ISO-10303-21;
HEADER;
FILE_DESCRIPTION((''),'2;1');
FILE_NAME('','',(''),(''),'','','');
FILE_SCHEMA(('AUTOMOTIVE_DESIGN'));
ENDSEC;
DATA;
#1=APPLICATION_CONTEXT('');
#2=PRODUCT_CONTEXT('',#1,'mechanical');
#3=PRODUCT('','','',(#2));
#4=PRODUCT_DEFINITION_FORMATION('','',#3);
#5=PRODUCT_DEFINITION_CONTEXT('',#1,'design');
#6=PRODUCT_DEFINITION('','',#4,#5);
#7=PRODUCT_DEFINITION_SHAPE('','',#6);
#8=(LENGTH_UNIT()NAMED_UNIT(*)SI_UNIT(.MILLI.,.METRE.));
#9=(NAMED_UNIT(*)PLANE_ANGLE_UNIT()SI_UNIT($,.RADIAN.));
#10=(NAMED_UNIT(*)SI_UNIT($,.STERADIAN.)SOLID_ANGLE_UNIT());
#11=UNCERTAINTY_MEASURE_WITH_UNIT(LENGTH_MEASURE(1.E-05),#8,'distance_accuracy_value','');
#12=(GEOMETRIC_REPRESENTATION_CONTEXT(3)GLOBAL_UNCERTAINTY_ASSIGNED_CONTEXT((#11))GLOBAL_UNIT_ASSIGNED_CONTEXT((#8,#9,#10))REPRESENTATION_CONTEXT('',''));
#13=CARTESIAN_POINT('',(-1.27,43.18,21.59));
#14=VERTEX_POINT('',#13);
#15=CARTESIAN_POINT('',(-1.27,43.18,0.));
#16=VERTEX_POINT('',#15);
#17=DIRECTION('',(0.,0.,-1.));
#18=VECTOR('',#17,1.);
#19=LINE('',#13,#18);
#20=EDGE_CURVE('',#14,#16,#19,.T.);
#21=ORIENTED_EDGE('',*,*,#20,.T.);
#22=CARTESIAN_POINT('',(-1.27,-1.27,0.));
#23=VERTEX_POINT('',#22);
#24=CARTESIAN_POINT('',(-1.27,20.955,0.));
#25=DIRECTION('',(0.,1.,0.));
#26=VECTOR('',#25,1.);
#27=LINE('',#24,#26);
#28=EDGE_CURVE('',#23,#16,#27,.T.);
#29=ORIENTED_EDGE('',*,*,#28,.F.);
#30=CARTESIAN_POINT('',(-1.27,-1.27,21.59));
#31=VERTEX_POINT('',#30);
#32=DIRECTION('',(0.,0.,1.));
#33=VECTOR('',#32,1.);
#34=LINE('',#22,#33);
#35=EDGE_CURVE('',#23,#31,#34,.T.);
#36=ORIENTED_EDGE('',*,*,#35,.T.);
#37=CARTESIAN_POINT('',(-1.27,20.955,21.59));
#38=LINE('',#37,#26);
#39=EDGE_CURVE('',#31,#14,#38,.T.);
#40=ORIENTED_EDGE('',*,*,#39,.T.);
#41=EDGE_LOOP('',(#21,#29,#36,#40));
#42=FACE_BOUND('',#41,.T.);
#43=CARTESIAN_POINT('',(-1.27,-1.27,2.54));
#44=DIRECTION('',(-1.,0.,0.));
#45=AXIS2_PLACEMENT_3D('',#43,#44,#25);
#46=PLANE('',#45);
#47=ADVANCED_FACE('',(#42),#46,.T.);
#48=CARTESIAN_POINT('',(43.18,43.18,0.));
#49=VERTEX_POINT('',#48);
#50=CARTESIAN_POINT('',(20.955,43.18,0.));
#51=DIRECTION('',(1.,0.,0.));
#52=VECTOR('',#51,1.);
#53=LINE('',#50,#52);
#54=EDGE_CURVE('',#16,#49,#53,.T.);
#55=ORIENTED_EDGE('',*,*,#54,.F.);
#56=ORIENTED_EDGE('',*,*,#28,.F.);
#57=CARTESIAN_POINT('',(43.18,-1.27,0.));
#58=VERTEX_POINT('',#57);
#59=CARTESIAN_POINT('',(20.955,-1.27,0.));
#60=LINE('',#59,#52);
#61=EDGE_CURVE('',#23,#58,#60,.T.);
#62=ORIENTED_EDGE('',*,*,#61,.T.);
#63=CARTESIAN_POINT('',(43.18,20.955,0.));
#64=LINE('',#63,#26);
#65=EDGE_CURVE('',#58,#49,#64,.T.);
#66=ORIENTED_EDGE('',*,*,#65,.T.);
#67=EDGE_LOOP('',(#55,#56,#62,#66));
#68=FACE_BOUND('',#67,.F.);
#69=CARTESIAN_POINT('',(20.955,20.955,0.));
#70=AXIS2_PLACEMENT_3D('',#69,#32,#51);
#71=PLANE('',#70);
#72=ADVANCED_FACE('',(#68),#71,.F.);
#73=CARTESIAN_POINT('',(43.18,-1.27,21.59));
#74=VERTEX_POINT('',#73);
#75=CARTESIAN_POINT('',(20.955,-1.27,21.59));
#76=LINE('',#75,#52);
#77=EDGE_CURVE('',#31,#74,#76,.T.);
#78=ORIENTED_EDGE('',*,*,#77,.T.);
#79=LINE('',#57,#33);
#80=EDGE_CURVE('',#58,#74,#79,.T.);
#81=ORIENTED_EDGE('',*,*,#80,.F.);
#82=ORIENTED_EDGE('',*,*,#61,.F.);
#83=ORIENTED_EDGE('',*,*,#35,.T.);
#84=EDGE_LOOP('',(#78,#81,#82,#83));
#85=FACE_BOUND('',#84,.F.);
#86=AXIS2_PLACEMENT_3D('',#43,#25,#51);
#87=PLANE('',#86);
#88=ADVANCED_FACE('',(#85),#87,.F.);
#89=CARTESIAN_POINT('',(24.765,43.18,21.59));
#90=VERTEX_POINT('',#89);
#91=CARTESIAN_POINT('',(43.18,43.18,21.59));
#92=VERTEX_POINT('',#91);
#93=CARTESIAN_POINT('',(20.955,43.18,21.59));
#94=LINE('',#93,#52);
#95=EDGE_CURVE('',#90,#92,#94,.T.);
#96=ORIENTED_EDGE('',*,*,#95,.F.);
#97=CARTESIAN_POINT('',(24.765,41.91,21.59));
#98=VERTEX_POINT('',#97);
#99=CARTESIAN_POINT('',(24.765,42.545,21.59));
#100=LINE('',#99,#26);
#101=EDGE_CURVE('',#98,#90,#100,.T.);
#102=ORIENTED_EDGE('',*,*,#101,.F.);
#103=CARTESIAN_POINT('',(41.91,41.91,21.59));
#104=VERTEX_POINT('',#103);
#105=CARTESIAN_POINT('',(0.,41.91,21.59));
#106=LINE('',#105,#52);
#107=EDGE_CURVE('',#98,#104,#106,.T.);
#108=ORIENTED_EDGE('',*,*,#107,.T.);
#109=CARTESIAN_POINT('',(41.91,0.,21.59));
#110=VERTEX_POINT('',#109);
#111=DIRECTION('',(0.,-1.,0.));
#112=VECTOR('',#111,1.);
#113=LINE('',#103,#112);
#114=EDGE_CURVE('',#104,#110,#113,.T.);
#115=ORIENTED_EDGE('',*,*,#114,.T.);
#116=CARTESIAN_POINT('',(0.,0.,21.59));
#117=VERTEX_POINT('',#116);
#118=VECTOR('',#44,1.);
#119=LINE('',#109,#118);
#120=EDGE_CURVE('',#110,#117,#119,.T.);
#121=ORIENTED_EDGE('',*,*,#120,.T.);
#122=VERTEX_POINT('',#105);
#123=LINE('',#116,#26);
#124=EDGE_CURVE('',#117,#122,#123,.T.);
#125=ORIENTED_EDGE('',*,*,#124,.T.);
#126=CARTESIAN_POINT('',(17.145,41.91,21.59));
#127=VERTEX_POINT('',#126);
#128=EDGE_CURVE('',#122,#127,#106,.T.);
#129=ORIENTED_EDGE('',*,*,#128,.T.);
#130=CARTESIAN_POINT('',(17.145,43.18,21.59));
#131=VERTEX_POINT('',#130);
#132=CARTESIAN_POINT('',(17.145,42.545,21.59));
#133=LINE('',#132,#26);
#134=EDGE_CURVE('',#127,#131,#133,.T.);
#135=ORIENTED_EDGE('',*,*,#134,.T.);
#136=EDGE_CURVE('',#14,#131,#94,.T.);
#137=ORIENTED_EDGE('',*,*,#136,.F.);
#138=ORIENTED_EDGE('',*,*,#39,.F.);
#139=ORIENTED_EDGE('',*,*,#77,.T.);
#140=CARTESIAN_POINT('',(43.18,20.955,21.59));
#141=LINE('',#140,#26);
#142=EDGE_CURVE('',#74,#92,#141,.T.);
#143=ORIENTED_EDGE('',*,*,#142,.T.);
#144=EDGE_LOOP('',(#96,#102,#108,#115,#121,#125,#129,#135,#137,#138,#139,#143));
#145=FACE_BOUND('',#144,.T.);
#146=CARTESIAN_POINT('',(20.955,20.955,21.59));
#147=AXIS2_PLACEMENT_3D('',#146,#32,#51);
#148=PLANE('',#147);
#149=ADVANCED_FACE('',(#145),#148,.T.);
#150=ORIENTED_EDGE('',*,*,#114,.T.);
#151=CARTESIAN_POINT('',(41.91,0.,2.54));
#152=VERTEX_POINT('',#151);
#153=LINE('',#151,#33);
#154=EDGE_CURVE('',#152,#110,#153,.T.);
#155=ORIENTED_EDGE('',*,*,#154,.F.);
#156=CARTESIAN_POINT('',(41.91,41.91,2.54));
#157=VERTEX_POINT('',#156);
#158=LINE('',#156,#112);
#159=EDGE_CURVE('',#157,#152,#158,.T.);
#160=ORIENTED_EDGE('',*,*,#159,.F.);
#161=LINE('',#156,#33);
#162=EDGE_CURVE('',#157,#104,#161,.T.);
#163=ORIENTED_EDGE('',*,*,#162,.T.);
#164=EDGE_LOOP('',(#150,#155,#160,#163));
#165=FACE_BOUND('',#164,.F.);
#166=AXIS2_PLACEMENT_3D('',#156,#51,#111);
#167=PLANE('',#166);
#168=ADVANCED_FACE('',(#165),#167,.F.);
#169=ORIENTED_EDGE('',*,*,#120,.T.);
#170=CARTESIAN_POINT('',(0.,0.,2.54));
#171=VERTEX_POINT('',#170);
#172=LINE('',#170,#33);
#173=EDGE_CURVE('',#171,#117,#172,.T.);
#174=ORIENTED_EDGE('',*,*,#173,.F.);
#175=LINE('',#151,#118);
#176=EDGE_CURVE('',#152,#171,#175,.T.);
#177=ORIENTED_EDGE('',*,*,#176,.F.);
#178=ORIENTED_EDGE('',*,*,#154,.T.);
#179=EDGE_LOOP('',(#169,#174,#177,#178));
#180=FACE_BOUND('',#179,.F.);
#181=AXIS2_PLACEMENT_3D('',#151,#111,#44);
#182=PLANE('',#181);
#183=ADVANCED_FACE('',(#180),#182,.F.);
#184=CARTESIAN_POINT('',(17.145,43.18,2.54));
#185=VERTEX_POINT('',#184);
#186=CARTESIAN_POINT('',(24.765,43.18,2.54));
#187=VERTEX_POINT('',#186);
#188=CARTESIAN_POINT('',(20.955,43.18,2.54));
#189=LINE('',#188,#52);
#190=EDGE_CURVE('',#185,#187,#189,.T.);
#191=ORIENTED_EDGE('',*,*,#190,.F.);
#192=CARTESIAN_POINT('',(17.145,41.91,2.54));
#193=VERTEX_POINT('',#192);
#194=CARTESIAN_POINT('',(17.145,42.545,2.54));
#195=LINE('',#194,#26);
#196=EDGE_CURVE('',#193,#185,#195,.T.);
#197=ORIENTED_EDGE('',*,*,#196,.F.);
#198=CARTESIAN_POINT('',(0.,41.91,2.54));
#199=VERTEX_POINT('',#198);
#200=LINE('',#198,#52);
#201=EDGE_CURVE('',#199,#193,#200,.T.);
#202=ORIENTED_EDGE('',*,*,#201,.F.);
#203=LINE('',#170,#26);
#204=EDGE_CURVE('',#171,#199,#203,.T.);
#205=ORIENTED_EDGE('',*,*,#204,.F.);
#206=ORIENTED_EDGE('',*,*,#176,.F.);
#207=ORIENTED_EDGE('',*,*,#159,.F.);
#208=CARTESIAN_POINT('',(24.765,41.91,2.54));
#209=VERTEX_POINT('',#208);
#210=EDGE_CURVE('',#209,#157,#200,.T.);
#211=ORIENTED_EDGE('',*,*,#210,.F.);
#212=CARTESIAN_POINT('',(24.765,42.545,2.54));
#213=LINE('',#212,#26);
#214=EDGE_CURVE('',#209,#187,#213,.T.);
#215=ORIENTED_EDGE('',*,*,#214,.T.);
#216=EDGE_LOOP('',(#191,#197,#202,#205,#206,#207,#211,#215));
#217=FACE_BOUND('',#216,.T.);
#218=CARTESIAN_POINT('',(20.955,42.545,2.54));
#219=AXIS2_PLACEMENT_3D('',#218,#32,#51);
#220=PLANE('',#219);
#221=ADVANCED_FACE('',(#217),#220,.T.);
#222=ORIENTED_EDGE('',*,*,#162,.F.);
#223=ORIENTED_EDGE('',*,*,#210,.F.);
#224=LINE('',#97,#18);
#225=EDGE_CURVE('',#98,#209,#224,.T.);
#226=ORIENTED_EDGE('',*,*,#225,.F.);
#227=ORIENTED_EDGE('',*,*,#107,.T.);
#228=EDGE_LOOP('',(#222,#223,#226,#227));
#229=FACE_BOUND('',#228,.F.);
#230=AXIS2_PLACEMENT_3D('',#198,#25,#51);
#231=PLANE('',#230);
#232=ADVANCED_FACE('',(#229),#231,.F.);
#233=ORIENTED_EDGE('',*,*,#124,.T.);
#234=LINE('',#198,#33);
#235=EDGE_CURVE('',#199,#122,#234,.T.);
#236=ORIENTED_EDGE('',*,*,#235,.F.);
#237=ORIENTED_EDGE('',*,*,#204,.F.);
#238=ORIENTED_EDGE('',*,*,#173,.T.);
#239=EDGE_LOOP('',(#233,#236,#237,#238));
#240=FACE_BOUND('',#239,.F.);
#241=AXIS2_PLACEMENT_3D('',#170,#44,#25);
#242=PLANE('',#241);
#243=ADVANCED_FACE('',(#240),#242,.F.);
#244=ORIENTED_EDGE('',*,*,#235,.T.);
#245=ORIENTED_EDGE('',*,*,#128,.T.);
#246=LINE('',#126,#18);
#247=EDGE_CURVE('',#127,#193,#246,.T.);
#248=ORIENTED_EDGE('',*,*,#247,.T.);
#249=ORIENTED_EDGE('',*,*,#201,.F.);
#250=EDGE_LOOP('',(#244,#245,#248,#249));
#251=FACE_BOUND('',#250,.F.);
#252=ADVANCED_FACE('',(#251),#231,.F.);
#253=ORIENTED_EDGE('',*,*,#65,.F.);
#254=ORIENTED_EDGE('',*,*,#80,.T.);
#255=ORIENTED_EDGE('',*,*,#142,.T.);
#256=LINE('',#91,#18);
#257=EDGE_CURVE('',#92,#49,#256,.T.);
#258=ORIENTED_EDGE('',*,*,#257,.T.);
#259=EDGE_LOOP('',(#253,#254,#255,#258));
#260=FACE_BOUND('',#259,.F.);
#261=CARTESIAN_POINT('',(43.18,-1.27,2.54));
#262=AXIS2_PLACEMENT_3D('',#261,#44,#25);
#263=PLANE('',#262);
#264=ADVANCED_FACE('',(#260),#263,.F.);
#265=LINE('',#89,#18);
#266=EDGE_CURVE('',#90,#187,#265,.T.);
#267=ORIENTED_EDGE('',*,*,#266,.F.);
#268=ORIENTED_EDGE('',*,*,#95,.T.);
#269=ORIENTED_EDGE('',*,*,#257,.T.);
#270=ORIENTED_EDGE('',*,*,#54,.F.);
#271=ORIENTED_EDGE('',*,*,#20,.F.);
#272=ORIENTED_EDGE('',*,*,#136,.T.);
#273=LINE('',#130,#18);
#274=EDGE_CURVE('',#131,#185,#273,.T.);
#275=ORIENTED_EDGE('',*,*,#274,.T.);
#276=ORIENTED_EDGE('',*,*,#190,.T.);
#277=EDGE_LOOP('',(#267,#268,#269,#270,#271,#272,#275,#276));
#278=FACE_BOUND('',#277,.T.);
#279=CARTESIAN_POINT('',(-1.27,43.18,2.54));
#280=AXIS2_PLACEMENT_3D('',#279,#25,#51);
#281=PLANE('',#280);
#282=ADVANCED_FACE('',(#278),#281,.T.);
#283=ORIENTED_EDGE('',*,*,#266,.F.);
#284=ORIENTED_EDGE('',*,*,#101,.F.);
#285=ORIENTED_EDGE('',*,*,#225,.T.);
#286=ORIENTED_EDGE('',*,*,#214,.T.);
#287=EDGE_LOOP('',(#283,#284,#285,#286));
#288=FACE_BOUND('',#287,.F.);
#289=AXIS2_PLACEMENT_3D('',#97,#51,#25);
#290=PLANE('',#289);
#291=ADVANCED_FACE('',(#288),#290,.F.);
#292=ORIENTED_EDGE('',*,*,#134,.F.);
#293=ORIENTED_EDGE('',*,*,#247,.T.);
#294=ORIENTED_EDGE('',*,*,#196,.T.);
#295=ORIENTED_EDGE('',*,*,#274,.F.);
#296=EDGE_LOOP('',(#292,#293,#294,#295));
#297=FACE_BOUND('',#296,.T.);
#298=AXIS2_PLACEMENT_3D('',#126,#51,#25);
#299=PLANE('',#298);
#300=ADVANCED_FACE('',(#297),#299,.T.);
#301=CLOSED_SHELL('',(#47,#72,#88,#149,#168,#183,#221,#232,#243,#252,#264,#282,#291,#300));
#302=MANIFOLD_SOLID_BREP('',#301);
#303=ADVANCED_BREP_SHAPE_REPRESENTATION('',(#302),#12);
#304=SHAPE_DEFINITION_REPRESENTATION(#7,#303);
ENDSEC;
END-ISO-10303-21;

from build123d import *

# Parameters (mm, degrees)
F0_W          = 41.91
F0_H          = 41.91
F1_DEPTH      = 2.54
F2_W          = 44.45
F2_H          = 44.45
F3_DEPTH      = 2.54
F3_DEPTH_BACK = 19.05
F5_W          = 7.62
F5_H          = 1.27
F6_DEPTH      = 19.05


with BuildPart() as f1:
    # F0 (on Top) → F1 (new body)
    with BuildSketch(Plane.XY):
        with Locations((20.955, 20.955)):
            Rectangle(F0_W, F0_H)
    extrude(amount=F1_DEPTH)

    # F2 (on face) → F3 (join, two sides)
    with BuildSketch(Plane.XY.offset(2.54)) as f3_sk:
        with Locations((20.955, 20.955)):
            Rectangle(F2_W, F2_H)
        Polygon((0, 0), (0, 41.91), (20.955, 41.91), (41.91, 41.91), (41.91, 0), align=None, mode=Mode.SUBTRACT)
    extrude(amount=-F3_DEPTH)
    extrude(f3_sk.sketch, amount=F3_DEPTH_BACK)


with BuildPart() as f4_1:
    # F4: copy of F1
    add(f1.part)


with BuildPart() as f6_tool:
    # F5 (on face) → F6 (new body)
    with BuildSketch(Plane.XY.offset(21.59)):
        with Locations((20.955, 42.545)):
            Rectangle(F5_W, F5_H)
    extrude(amount=-F6_DEPTH)


with BuildPart() as f1_1:
    add(f1.part)

    # F6: cut by f6_tool
    add(f6_tool.part, mode=Mode.SUBTRACT)


with BuildPart() as f4_1_1:
    add(f4_1.part)

    # F6: cut by f6_tool
    add(f6_tool.part, mode=Mode.SUBTRACT)


solid = f1_1.part
